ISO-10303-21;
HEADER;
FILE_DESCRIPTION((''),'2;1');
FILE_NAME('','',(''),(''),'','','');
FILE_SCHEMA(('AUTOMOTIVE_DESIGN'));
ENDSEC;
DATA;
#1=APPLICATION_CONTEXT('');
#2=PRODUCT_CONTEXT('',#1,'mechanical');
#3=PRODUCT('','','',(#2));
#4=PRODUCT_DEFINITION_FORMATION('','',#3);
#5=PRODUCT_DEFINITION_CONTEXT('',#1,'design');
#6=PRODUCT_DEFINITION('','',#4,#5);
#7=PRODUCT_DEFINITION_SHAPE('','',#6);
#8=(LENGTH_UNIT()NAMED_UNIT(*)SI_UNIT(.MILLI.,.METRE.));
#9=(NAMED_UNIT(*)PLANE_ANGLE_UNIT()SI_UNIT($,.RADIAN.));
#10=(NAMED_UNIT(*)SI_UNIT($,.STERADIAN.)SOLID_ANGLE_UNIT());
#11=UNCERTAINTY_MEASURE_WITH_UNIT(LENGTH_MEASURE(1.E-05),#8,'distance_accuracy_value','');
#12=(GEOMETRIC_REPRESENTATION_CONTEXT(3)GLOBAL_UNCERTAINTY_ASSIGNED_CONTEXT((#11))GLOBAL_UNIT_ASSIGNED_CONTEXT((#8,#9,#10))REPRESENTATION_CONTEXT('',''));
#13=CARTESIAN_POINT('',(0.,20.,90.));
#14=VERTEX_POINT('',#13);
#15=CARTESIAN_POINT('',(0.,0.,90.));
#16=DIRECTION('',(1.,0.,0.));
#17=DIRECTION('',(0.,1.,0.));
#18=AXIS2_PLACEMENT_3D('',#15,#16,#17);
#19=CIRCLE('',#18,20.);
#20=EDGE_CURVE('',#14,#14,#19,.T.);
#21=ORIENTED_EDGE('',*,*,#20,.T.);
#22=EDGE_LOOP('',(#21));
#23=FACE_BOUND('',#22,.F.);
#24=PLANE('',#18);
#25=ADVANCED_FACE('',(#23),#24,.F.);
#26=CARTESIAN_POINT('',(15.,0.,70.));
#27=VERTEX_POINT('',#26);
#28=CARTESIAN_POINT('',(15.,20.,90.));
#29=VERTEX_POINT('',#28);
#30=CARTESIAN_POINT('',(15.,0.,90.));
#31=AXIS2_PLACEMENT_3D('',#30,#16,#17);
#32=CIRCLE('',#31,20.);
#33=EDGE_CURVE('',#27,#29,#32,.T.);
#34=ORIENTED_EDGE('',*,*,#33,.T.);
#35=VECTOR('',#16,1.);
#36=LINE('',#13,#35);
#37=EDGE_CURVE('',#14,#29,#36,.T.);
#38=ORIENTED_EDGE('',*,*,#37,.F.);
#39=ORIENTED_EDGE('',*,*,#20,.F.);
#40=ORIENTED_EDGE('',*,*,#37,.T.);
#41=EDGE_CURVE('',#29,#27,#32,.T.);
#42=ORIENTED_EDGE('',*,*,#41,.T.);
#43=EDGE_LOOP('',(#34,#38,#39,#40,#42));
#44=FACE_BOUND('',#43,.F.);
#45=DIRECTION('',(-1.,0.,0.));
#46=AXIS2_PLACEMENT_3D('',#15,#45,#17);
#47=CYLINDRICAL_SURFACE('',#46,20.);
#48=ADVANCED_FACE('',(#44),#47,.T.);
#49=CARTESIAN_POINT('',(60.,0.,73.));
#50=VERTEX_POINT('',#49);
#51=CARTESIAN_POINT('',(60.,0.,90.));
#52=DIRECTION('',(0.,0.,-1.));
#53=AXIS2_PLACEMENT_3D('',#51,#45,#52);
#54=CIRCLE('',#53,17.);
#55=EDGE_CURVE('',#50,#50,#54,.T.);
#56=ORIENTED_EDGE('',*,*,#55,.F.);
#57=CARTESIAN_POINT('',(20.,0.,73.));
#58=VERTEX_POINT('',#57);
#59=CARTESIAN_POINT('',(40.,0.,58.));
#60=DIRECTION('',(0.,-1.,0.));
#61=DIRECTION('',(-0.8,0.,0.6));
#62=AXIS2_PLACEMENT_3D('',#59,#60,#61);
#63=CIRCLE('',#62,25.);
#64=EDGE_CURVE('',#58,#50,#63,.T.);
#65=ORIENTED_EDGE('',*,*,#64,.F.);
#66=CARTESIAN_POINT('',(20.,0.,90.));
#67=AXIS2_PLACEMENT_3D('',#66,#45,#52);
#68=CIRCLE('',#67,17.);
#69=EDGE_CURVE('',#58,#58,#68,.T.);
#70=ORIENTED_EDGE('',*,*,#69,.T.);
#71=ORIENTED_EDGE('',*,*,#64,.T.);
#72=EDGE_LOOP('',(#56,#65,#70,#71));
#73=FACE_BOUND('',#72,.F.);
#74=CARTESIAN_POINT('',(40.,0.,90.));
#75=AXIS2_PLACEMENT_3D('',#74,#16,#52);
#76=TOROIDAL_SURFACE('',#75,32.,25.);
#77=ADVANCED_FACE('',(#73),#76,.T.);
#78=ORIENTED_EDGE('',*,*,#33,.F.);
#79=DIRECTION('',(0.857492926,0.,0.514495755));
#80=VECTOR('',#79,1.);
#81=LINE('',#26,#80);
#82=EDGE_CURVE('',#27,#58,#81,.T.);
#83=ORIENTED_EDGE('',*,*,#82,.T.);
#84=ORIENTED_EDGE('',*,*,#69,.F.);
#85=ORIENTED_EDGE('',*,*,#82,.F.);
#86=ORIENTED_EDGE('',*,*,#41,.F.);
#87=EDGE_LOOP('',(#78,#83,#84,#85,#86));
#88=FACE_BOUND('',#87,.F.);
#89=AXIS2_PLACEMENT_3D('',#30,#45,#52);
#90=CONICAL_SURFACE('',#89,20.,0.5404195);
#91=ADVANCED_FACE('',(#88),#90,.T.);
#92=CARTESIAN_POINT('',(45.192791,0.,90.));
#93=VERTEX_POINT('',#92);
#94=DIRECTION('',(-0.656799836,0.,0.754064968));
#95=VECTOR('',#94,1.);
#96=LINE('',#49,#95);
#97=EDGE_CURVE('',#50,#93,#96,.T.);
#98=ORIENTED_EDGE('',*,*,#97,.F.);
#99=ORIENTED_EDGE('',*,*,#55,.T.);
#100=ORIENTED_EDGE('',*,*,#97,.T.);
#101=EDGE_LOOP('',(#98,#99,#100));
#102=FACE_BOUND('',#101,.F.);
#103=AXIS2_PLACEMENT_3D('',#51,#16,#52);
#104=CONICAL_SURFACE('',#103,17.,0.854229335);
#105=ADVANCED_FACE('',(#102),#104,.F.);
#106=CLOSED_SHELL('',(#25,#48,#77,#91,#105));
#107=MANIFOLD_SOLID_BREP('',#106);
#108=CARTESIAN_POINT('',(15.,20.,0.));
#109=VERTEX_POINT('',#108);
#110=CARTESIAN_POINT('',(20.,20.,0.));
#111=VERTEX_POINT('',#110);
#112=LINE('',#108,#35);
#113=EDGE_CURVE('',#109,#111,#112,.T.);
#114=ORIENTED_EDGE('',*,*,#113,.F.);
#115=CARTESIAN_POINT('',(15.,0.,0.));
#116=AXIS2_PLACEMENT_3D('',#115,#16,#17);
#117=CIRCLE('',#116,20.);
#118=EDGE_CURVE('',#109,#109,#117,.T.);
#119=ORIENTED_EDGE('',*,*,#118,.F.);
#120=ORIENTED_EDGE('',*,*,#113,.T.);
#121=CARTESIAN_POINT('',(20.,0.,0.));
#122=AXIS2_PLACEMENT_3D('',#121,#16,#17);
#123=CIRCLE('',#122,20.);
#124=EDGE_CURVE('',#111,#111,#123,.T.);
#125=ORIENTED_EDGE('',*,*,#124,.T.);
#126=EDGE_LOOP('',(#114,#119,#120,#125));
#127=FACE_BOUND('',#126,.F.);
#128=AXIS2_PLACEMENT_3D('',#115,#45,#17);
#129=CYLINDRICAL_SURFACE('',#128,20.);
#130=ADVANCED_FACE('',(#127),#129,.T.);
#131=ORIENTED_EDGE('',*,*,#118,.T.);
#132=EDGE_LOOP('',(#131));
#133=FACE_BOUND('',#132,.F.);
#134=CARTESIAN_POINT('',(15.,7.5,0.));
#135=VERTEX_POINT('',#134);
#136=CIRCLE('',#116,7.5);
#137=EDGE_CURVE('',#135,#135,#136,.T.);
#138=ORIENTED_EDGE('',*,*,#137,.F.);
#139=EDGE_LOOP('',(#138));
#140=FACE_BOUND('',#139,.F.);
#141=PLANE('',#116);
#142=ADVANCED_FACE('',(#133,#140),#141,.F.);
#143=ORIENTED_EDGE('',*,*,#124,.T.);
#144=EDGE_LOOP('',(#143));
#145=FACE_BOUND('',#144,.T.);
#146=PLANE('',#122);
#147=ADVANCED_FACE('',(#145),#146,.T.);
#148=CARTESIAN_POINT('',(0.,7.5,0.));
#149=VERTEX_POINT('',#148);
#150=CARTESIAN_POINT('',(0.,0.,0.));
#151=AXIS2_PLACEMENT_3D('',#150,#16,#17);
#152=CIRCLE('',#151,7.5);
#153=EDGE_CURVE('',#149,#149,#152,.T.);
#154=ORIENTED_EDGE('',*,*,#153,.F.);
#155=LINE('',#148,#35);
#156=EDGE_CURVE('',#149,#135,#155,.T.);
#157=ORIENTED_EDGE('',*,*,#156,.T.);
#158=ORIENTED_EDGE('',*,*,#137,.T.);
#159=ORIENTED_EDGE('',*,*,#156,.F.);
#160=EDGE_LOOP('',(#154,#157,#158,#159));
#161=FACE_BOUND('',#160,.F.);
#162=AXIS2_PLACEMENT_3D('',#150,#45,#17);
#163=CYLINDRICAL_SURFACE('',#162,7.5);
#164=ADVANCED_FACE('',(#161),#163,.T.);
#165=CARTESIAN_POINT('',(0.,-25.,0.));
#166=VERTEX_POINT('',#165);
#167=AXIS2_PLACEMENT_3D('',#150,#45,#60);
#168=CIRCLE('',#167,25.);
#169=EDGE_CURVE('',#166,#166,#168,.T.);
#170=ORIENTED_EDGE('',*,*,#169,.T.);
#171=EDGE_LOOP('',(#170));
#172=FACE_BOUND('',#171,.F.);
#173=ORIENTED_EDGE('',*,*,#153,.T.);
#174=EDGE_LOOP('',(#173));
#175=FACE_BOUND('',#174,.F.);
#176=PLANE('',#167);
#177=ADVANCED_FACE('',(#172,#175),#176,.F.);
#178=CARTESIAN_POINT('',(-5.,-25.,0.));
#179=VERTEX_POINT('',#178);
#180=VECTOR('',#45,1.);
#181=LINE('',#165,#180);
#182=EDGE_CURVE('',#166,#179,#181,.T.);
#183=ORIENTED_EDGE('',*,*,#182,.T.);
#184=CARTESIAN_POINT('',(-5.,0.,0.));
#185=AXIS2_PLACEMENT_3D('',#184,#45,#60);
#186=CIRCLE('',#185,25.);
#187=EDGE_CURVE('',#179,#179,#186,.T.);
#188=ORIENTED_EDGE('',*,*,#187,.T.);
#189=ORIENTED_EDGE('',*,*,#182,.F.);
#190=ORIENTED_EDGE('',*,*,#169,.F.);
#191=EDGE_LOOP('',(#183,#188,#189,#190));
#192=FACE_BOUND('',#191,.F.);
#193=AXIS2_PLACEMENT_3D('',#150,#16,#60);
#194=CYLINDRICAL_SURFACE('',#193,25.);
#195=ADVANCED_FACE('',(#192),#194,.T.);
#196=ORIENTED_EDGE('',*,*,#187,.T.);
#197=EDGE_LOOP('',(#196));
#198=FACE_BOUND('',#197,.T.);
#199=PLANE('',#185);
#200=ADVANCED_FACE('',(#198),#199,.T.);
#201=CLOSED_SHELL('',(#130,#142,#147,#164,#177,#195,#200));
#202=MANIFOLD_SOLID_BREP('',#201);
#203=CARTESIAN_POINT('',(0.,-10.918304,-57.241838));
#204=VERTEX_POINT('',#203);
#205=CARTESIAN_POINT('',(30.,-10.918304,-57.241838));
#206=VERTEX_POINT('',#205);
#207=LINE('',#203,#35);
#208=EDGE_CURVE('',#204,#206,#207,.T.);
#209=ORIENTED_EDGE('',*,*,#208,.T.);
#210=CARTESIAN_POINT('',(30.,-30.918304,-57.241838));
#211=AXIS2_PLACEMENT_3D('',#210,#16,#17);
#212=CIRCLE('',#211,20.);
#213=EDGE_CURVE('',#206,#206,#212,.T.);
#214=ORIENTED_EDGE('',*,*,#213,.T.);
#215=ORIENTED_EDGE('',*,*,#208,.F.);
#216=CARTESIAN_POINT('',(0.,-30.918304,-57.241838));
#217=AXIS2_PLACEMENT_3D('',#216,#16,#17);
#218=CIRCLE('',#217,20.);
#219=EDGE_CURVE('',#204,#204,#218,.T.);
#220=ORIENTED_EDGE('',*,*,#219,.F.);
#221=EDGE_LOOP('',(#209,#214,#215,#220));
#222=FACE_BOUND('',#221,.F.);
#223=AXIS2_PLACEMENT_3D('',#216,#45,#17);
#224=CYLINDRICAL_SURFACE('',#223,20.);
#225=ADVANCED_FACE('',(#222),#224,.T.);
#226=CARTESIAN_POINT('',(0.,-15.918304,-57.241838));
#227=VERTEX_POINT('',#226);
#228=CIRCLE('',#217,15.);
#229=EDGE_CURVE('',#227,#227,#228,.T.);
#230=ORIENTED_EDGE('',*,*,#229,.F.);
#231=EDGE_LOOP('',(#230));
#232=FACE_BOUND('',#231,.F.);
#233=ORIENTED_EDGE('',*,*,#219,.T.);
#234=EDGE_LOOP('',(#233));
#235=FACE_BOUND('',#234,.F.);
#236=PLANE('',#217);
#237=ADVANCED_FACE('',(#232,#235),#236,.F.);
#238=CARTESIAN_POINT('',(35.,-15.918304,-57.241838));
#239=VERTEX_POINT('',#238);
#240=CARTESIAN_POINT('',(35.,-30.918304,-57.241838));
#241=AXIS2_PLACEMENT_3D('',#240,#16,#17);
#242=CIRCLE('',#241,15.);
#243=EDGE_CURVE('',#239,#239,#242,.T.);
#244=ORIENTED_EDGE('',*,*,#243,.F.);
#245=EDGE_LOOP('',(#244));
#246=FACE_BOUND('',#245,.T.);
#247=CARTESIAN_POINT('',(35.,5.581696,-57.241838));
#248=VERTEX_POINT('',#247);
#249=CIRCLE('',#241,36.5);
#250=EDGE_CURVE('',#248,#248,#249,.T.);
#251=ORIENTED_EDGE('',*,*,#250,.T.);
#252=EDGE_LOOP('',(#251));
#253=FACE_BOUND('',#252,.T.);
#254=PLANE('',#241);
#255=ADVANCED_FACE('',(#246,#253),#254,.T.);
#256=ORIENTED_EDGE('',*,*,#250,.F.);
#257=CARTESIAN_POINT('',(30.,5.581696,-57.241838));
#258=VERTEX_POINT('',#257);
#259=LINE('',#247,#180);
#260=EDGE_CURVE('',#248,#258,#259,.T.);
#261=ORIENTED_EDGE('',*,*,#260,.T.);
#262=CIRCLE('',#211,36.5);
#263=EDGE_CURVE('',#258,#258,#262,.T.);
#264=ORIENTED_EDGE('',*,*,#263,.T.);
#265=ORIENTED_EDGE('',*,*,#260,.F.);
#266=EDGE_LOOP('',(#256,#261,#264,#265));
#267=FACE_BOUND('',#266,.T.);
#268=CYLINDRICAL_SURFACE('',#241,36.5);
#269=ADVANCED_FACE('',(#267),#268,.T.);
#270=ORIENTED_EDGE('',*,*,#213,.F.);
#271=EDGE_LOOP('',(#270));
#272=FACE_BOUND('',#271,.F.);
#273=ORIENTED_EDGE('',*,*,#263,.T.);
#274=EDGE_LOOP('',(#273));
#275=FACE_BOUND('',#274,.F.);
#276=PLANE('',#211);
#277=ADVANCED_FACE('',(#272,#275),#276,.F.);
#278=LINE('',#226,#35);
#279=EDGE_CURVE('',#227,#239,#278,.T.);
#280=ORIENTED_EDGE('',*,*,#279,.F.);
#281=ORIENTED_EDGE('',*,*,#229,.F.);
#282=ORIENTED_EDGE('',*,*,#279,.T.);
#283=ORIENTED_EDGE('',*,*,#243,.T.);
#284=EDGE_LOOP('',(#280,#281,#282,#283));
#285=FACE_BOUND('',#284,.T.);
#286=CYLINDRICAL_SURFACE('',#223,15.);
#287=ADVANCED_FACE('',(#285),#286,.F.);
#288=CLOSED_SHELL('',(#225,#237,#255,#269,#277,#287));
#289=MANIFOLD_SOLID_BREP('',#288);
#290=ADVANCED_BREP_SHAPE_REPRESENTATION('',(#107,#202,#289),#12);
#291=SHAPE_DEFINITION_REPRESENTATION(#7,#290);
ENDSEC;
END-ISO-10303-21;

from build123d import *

# Parameters (mm, degrees)
F0_R      = 7.5
F1_DEPTH  = 15
F2_R      = 20
F2_R_2    = 7.5
F3_DEPTH  = 5
F4_R      = 20
F4_R_2    = 15
F5_DEPTH  = 35
F6_R      = 36.5
F6_R_2    = 20
F7_DEPTH  = 5
F8_R      = 25
F8_R_2    = 7.5
F9_DEPTH  = 5
F10_R     = 20
F11_DEPTH = 15


with BuildPart() as f1:
    # F0 (on Right) → F1 (new body)
    with BuildSketch(Plane.YZ):
        Circle(F0_R)
    extrude(amount=F1_DEPTH)

    # F2 (on face) → F3 (join)
    with BuildSketch(Plane.YZ.offset(15)):
        Circle(F2_R)
        Circle(F2_R_2, mode=Mode.SUBTRACT)
        Circle(F2_R_2)
    extrude(amount=F3_DEPTH)

    # F8 (on face) → F9 (join)
    with BuildSketch(Plane(origin=(0, 0, 0), x_dir=(0, -1, 0), z_dir=(-1, 0, 0))):
        Circle(F8_R)
        Circle(F8_R_2, mode=Mode.SUBTRACT)
        Circle(F8_R_2)
    extrude(amount=F9_DEPTH)


with BuildPart() as f5:
    # F4 (on Right) → F5 (new body)
    with BuildSketch(Plane.YZ):
        with Locations((-30.9183038771, -57.2418384254)):
            Circle(F4_R)
        with Locations((-30.9183038771, -57.2418384254)):
            Circle(F4_R_2, mode=Mode.SUBTRACT)
    extrude(amount=F5_DEPTH)

    # F6 (on face) → F7 (join)
    with BuildSketch(Plane.YZ.offset(35)):
        with Locations((-30.9183038771, -57.2418384254)):
            Circle(F6_R)
        with Locations((-30.9183038771, -57.2418384254)):
            Circle(F6_R_2, mode=Mode.SUBTRACT)
    extrude(amount=-F7_DEPTH)


with BuildPart() as f11:
    # F10 (on Right) → F11 (new body)
    with BuildSketch(Plane.YZ):
        with Locations((0, 90)):
            Circle(F10_R)
    extrude(amount=F11_DEPTH)

    # F12 (on Front) → F13 (revolve)
    with BuildSketch(Plane.XZ):
        with BuildLine():
            Line((15, 90), (15, 70))
            Line((15, 70), (20, 73))
            ThreePointArc((20, 73), (40, 33), (60, 73))
            Line((60, 73), (45.1927914843, 90))
            Line((45.1927914843, 90), (15, 90))
        make_face()
    revolve(axis=Axis((30.0963957421, 0, 90), (-1, 0, 0)))


solid = Compound([f1.part, f5.part, f11.part])
